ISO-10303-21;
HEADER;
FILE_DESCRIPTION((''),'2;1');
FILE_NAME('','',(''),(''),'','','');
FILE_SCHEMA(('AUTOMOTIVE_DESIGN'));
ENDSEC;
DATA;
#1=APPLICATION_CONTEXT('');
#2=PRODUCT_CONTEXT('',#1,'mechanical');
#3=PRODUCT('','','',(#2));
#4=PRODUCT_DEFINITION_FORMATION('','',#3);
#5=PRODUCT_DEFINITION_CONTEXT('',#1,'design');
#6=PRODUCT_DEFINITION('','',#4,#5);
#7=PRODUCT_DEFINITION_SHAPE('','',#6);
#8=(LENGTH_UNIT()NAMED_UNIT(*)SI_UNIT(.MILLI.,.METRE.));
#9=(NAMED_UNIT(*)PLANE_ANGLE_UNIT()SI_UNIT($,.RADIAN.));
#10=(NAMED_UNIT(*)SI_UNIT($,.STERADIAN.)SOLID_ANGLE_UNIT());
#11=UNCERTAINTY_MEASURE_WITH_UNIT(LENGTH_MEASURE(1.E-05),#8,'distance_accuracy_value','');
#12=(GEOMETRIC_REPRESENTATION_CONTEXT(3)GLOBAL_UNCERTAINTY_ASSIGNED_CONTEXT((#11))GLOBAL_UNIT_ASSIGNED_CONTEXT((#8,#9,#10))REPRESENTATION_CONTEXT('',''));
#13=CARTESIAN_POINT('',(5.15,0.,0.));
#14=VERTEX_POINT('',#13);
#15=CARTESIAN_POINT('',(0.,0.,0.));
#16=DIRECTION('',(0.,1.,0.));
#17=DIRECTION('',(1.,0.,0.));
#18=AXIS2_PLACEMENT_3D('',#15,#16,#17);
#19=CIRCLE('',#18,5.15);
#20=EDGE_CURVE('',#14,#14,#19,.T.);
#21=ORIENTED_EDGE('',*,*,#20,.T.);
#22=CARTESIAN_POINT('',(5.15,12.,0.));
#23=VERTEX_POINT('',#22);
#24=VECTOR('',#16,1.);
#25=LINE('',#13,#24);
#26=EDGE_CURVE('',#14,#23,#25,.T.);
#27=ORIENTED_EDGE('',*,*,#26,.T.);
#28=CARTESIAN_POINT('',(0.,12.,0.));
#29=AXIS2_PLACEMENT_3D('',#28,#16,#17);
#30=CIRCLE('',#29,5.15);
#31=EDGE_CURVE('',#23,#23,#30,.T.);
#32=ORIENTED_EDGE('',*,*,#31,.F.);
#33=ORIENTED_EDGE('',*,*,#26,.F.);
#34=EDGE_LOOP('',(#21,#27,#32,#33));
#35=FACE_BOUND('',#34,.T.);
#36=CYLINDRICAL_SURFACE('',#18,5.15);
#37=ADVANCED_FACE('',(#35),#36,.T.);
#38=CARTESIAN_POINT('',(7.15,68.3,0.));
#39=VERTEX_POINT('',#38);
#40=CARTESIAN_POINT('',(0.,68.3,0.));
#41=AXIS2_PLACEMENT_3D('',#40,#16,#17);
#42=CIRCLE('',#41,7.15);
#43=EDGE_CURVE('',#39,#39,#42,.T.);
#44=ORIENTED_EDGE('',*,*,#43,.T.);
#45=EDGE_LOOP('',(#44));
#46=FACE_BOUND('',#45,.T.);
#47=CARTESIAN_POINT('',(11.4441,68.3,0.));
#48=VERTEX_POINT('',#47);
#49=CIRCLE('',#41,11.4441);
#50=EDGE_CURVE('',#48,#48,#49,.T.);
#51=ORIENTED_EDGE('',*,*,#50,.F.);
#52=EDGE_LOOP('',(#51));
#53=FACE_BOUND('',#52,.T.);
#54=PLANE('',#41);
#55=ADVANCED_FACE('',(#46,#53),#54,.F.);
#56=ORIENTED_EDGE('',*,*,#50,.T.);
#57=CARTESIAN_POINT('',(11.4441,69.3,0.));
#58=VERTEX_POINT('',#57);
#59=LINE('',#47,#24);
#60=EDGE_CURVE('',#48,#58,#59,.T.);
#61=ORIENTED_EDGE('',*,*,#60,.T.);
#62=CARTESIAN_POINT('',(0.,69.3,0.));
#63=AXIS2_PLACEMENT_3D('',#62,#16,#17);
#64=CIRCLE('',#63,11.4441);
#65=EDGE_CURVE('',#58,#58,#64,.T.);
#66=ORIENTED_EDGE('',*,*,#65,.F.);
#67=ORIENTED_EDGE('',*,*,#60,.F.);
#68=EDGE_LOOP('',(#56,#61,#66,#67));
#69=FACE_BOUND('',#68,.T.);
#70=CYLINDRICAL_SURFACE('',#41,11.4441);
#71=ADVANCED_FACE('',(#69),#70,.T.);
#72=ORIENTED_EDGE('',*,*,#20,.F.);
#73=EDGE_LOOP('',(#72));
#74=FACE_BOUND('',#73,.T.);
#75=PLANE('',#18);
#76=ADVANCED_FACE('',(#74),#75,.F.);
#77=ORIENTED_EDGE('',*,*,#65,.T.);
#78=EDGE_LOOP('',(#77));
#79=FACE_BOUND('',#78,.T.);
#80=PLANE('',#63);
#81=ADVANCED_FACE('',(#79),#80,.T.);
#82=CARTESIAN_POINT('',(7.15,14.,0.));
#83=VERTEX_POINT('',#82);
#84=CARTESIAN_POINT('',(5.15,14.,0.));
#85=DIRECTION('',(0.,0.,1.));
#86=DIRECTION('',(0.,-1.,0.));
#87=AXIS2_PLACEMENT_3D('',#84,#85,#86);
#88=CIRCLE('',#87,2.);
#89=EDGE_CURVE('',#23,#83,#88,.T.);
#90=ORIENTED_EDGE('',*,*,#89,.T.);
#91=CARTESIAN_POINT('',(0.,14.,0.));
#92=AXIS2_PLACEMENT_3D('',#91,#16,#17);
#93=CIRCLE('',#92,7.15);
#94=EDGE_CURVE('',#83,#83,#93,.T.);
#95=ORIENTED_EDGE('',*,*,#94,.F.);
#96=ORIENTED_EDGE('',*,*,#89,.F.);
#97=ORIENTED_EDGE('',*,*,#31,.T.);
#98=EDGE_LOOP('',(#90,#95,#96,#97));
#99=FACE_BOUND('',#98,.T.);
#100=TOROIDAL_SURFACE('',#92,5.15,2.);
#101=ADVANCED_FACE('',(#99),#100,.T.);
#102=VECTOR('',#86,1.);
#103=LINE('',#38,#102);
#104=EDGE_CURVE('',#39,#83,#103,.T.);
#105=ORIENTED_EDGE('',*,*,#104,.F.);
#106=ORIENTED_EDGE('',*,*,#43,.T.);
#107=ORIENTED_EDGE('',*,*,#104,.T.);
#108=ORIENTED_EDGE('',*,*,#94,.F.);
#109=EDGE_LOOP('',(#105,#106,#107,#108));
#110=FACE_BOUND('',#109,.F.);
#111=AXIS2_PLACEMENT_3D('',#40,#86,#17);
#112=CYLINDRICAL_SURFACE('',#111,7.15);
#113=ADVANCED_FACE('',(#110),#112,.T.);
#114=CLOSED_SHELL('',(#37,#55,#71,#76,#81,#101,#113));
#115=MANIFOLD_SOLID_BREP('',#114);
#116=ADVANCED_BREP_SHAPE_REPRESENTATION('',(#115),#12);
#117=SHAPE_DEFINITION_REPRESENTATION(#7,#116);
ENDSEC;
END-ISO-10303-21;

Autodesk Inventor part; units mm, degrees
ref_plane "YZ Plane" through (0, 0, 0) normal (1, 0, 0) x (0, 1, 0)
ref_plane "XZ Plane" through (0, 0, 0) normal (0, 1, 0) x (-1, 0, 0)
ref_plane "XY Plane" through (0, 0, 0) normal (0, 0, 1) x (1, 0, 0)
sketch "Skizze1" plane through (0, 0, 0) normal (0, 0, 1) x (1, 0, 0)
  line L0 (0, 0) -> (5.15, 0)
  line L1 (5.15, 0) -> (5.15, 12)
  line L2 (0, 0) -> (0, 68.3)
  line L3 (0, 68.3) -> (7.15, 68.3)
  line L4 (7.15, 68.3) -> (7.15, 14)
  line L5 (5.15, 12) -> (5.15, 12)
  arc A0 (5.15, 12) -> (7.15, 14) centre (5.15, 14) ccw
  line L6 (7.15, 68.3) -> (11.4441, 68.3)
  line L7 (11.4441, 68.3) -> (11.4441, 69.3)
  line L8 (11.4441, 69.3) -> (0, 69.3)
  line L9 (0, 69.3) -> (0, 68.3)
  dimension "d0" = 5.15
  dimension "d1" = 12
  dimension "d2" = 68.3
  dimension "d3" = 7.15
  dimension "d4" = 2
  dimension "d5" = 1
revolve "Umdrehung1" add sketch "Skizze1" angle 360 about axis through (0, 0, 0) along (0, 1, 0)
properties part number "00_5ml_glue_cartridge"
